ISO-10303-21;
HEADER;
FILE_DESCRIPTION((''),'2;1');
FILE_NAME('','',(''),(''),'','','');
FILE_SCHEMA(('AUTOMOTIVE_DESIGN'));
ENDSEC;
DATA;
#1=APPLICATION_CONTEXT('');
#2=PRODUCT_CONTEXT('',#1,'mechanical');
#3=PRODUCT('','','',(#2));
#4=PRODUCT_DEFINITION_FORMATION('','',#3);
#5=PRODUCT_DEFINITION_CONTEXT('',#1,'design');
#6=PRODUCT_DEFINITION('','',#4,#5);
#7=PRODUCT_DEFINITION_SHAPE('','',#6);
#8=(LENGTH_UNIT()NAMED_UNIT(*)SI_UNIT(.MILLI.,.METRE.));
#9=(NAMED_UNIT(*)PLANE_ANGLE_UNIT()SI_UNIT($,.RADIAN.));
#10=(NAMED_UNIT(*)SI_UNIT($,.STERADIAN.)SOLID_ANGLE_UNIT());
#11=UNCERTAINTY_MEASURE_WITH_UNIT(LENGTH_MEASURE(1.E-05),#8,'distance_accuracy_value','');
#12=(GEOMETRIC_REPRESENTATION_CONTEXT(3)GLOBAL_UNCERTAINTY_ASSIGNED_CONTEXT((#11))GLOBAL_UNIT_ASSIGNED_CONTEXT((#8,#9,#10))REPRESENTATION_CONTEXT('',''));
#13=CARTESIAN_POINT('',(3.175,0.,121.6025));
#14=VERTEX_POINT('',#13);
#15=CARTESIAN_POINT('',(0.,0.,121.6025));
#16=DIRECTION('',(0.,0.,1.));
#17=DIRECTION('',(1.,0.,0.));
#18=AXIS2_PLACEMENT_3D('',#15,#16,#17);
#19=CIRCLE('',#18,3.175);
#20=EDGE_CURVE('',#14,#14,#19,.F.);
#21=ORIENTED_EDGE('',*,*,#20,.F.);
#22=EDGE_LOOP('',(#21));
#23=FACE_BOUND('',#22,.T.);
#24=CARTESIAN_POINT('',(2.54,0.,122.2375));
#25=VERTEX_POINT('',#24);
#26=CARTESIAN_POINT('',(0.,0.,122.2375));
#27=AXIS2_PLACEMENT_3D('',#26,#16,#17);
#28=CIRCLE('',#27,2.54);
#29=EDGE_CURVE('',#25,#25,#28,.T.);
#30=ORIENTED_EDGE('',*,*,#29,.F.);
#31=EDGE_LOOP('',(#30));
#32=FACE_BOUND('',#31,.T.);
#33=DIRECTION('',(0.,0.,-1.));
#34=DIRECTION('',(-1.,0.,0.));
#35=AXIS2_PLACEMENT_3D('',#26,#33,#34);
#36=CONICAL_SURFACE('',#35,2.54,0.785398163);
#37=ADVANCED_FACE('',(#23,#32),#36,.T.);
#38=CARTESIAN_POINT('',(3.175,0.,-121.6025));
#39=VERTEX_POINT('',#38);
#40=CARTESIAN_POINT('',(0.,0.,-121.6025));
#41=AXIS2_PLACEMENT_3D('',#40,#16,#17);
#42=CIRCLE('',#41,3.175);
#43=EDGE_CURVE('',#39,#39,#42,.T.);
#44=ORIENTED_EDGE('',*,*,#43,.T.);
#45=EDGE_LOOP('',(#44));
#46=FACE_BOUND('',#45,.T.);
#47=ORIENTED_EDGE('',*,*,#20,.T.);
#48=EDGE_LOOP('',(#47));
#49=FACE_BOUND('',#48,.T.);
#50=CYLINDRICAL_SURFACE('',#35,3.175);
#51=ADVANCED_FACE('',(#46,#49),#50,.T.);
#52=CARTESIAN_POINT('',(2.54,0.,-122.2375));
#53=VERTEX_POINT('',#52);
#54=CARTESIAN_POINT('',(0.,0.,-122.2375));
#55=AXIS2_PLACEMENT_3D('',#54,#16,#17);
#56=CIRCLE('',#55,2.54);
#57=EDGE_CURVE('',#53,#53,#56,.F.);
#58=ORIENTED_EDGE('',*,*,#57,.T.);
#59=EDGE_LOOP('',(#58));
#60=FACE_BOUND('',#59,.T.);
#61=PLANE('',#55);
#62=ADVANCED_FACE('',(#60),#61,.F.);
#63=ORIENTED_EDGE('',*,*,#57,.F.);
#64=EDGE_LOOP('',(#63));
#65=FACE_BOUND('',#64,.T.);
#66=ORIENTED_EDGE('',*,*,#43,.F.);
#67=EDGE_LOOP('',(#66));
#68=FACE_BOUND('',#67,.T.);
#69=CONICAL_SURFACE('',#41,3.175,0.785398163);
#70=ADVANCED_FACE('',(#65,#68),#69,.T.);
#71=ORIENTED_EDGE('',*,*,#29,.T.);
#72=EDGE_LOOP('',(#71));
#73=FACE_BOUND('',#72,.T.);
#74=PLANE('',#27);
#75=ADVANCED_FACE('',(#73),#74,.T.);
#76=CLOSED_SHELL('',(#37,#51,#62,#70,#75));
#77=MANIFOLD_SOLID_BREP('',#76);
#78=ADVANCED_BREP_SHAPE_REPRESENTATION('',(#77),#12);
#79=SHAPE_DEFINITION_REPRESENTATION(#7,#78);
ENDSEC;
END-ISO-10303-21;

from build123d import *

# Parameters (mm, degrees)
SKETCH1_R           = 3.175
BOSS_EXTRUDE1_DEPTH = 122.2375
CHAMFER1_SIZE       = 0.635


with BuildPart() as part:
    # Sketch1 → Boss-Extrude1 (new body, symmetric)
    with BuildSketch(Plane.XY):
        Circle(SKETCH1_R)
    extrude(amount=BOSS_EXTRUDE1_DEPTH, both=True)

    # Chamfer1
    chamfer1_edges = [part.edges().sort_by_distance(p)[0] for p in [
        (-3.175, 0, -122.2375),
        (-3.175, 0, 122.2375),
    ]]
    chamfer(chamfer1_edges, length=CHAMFER1_SIZE)


solid = part.part
